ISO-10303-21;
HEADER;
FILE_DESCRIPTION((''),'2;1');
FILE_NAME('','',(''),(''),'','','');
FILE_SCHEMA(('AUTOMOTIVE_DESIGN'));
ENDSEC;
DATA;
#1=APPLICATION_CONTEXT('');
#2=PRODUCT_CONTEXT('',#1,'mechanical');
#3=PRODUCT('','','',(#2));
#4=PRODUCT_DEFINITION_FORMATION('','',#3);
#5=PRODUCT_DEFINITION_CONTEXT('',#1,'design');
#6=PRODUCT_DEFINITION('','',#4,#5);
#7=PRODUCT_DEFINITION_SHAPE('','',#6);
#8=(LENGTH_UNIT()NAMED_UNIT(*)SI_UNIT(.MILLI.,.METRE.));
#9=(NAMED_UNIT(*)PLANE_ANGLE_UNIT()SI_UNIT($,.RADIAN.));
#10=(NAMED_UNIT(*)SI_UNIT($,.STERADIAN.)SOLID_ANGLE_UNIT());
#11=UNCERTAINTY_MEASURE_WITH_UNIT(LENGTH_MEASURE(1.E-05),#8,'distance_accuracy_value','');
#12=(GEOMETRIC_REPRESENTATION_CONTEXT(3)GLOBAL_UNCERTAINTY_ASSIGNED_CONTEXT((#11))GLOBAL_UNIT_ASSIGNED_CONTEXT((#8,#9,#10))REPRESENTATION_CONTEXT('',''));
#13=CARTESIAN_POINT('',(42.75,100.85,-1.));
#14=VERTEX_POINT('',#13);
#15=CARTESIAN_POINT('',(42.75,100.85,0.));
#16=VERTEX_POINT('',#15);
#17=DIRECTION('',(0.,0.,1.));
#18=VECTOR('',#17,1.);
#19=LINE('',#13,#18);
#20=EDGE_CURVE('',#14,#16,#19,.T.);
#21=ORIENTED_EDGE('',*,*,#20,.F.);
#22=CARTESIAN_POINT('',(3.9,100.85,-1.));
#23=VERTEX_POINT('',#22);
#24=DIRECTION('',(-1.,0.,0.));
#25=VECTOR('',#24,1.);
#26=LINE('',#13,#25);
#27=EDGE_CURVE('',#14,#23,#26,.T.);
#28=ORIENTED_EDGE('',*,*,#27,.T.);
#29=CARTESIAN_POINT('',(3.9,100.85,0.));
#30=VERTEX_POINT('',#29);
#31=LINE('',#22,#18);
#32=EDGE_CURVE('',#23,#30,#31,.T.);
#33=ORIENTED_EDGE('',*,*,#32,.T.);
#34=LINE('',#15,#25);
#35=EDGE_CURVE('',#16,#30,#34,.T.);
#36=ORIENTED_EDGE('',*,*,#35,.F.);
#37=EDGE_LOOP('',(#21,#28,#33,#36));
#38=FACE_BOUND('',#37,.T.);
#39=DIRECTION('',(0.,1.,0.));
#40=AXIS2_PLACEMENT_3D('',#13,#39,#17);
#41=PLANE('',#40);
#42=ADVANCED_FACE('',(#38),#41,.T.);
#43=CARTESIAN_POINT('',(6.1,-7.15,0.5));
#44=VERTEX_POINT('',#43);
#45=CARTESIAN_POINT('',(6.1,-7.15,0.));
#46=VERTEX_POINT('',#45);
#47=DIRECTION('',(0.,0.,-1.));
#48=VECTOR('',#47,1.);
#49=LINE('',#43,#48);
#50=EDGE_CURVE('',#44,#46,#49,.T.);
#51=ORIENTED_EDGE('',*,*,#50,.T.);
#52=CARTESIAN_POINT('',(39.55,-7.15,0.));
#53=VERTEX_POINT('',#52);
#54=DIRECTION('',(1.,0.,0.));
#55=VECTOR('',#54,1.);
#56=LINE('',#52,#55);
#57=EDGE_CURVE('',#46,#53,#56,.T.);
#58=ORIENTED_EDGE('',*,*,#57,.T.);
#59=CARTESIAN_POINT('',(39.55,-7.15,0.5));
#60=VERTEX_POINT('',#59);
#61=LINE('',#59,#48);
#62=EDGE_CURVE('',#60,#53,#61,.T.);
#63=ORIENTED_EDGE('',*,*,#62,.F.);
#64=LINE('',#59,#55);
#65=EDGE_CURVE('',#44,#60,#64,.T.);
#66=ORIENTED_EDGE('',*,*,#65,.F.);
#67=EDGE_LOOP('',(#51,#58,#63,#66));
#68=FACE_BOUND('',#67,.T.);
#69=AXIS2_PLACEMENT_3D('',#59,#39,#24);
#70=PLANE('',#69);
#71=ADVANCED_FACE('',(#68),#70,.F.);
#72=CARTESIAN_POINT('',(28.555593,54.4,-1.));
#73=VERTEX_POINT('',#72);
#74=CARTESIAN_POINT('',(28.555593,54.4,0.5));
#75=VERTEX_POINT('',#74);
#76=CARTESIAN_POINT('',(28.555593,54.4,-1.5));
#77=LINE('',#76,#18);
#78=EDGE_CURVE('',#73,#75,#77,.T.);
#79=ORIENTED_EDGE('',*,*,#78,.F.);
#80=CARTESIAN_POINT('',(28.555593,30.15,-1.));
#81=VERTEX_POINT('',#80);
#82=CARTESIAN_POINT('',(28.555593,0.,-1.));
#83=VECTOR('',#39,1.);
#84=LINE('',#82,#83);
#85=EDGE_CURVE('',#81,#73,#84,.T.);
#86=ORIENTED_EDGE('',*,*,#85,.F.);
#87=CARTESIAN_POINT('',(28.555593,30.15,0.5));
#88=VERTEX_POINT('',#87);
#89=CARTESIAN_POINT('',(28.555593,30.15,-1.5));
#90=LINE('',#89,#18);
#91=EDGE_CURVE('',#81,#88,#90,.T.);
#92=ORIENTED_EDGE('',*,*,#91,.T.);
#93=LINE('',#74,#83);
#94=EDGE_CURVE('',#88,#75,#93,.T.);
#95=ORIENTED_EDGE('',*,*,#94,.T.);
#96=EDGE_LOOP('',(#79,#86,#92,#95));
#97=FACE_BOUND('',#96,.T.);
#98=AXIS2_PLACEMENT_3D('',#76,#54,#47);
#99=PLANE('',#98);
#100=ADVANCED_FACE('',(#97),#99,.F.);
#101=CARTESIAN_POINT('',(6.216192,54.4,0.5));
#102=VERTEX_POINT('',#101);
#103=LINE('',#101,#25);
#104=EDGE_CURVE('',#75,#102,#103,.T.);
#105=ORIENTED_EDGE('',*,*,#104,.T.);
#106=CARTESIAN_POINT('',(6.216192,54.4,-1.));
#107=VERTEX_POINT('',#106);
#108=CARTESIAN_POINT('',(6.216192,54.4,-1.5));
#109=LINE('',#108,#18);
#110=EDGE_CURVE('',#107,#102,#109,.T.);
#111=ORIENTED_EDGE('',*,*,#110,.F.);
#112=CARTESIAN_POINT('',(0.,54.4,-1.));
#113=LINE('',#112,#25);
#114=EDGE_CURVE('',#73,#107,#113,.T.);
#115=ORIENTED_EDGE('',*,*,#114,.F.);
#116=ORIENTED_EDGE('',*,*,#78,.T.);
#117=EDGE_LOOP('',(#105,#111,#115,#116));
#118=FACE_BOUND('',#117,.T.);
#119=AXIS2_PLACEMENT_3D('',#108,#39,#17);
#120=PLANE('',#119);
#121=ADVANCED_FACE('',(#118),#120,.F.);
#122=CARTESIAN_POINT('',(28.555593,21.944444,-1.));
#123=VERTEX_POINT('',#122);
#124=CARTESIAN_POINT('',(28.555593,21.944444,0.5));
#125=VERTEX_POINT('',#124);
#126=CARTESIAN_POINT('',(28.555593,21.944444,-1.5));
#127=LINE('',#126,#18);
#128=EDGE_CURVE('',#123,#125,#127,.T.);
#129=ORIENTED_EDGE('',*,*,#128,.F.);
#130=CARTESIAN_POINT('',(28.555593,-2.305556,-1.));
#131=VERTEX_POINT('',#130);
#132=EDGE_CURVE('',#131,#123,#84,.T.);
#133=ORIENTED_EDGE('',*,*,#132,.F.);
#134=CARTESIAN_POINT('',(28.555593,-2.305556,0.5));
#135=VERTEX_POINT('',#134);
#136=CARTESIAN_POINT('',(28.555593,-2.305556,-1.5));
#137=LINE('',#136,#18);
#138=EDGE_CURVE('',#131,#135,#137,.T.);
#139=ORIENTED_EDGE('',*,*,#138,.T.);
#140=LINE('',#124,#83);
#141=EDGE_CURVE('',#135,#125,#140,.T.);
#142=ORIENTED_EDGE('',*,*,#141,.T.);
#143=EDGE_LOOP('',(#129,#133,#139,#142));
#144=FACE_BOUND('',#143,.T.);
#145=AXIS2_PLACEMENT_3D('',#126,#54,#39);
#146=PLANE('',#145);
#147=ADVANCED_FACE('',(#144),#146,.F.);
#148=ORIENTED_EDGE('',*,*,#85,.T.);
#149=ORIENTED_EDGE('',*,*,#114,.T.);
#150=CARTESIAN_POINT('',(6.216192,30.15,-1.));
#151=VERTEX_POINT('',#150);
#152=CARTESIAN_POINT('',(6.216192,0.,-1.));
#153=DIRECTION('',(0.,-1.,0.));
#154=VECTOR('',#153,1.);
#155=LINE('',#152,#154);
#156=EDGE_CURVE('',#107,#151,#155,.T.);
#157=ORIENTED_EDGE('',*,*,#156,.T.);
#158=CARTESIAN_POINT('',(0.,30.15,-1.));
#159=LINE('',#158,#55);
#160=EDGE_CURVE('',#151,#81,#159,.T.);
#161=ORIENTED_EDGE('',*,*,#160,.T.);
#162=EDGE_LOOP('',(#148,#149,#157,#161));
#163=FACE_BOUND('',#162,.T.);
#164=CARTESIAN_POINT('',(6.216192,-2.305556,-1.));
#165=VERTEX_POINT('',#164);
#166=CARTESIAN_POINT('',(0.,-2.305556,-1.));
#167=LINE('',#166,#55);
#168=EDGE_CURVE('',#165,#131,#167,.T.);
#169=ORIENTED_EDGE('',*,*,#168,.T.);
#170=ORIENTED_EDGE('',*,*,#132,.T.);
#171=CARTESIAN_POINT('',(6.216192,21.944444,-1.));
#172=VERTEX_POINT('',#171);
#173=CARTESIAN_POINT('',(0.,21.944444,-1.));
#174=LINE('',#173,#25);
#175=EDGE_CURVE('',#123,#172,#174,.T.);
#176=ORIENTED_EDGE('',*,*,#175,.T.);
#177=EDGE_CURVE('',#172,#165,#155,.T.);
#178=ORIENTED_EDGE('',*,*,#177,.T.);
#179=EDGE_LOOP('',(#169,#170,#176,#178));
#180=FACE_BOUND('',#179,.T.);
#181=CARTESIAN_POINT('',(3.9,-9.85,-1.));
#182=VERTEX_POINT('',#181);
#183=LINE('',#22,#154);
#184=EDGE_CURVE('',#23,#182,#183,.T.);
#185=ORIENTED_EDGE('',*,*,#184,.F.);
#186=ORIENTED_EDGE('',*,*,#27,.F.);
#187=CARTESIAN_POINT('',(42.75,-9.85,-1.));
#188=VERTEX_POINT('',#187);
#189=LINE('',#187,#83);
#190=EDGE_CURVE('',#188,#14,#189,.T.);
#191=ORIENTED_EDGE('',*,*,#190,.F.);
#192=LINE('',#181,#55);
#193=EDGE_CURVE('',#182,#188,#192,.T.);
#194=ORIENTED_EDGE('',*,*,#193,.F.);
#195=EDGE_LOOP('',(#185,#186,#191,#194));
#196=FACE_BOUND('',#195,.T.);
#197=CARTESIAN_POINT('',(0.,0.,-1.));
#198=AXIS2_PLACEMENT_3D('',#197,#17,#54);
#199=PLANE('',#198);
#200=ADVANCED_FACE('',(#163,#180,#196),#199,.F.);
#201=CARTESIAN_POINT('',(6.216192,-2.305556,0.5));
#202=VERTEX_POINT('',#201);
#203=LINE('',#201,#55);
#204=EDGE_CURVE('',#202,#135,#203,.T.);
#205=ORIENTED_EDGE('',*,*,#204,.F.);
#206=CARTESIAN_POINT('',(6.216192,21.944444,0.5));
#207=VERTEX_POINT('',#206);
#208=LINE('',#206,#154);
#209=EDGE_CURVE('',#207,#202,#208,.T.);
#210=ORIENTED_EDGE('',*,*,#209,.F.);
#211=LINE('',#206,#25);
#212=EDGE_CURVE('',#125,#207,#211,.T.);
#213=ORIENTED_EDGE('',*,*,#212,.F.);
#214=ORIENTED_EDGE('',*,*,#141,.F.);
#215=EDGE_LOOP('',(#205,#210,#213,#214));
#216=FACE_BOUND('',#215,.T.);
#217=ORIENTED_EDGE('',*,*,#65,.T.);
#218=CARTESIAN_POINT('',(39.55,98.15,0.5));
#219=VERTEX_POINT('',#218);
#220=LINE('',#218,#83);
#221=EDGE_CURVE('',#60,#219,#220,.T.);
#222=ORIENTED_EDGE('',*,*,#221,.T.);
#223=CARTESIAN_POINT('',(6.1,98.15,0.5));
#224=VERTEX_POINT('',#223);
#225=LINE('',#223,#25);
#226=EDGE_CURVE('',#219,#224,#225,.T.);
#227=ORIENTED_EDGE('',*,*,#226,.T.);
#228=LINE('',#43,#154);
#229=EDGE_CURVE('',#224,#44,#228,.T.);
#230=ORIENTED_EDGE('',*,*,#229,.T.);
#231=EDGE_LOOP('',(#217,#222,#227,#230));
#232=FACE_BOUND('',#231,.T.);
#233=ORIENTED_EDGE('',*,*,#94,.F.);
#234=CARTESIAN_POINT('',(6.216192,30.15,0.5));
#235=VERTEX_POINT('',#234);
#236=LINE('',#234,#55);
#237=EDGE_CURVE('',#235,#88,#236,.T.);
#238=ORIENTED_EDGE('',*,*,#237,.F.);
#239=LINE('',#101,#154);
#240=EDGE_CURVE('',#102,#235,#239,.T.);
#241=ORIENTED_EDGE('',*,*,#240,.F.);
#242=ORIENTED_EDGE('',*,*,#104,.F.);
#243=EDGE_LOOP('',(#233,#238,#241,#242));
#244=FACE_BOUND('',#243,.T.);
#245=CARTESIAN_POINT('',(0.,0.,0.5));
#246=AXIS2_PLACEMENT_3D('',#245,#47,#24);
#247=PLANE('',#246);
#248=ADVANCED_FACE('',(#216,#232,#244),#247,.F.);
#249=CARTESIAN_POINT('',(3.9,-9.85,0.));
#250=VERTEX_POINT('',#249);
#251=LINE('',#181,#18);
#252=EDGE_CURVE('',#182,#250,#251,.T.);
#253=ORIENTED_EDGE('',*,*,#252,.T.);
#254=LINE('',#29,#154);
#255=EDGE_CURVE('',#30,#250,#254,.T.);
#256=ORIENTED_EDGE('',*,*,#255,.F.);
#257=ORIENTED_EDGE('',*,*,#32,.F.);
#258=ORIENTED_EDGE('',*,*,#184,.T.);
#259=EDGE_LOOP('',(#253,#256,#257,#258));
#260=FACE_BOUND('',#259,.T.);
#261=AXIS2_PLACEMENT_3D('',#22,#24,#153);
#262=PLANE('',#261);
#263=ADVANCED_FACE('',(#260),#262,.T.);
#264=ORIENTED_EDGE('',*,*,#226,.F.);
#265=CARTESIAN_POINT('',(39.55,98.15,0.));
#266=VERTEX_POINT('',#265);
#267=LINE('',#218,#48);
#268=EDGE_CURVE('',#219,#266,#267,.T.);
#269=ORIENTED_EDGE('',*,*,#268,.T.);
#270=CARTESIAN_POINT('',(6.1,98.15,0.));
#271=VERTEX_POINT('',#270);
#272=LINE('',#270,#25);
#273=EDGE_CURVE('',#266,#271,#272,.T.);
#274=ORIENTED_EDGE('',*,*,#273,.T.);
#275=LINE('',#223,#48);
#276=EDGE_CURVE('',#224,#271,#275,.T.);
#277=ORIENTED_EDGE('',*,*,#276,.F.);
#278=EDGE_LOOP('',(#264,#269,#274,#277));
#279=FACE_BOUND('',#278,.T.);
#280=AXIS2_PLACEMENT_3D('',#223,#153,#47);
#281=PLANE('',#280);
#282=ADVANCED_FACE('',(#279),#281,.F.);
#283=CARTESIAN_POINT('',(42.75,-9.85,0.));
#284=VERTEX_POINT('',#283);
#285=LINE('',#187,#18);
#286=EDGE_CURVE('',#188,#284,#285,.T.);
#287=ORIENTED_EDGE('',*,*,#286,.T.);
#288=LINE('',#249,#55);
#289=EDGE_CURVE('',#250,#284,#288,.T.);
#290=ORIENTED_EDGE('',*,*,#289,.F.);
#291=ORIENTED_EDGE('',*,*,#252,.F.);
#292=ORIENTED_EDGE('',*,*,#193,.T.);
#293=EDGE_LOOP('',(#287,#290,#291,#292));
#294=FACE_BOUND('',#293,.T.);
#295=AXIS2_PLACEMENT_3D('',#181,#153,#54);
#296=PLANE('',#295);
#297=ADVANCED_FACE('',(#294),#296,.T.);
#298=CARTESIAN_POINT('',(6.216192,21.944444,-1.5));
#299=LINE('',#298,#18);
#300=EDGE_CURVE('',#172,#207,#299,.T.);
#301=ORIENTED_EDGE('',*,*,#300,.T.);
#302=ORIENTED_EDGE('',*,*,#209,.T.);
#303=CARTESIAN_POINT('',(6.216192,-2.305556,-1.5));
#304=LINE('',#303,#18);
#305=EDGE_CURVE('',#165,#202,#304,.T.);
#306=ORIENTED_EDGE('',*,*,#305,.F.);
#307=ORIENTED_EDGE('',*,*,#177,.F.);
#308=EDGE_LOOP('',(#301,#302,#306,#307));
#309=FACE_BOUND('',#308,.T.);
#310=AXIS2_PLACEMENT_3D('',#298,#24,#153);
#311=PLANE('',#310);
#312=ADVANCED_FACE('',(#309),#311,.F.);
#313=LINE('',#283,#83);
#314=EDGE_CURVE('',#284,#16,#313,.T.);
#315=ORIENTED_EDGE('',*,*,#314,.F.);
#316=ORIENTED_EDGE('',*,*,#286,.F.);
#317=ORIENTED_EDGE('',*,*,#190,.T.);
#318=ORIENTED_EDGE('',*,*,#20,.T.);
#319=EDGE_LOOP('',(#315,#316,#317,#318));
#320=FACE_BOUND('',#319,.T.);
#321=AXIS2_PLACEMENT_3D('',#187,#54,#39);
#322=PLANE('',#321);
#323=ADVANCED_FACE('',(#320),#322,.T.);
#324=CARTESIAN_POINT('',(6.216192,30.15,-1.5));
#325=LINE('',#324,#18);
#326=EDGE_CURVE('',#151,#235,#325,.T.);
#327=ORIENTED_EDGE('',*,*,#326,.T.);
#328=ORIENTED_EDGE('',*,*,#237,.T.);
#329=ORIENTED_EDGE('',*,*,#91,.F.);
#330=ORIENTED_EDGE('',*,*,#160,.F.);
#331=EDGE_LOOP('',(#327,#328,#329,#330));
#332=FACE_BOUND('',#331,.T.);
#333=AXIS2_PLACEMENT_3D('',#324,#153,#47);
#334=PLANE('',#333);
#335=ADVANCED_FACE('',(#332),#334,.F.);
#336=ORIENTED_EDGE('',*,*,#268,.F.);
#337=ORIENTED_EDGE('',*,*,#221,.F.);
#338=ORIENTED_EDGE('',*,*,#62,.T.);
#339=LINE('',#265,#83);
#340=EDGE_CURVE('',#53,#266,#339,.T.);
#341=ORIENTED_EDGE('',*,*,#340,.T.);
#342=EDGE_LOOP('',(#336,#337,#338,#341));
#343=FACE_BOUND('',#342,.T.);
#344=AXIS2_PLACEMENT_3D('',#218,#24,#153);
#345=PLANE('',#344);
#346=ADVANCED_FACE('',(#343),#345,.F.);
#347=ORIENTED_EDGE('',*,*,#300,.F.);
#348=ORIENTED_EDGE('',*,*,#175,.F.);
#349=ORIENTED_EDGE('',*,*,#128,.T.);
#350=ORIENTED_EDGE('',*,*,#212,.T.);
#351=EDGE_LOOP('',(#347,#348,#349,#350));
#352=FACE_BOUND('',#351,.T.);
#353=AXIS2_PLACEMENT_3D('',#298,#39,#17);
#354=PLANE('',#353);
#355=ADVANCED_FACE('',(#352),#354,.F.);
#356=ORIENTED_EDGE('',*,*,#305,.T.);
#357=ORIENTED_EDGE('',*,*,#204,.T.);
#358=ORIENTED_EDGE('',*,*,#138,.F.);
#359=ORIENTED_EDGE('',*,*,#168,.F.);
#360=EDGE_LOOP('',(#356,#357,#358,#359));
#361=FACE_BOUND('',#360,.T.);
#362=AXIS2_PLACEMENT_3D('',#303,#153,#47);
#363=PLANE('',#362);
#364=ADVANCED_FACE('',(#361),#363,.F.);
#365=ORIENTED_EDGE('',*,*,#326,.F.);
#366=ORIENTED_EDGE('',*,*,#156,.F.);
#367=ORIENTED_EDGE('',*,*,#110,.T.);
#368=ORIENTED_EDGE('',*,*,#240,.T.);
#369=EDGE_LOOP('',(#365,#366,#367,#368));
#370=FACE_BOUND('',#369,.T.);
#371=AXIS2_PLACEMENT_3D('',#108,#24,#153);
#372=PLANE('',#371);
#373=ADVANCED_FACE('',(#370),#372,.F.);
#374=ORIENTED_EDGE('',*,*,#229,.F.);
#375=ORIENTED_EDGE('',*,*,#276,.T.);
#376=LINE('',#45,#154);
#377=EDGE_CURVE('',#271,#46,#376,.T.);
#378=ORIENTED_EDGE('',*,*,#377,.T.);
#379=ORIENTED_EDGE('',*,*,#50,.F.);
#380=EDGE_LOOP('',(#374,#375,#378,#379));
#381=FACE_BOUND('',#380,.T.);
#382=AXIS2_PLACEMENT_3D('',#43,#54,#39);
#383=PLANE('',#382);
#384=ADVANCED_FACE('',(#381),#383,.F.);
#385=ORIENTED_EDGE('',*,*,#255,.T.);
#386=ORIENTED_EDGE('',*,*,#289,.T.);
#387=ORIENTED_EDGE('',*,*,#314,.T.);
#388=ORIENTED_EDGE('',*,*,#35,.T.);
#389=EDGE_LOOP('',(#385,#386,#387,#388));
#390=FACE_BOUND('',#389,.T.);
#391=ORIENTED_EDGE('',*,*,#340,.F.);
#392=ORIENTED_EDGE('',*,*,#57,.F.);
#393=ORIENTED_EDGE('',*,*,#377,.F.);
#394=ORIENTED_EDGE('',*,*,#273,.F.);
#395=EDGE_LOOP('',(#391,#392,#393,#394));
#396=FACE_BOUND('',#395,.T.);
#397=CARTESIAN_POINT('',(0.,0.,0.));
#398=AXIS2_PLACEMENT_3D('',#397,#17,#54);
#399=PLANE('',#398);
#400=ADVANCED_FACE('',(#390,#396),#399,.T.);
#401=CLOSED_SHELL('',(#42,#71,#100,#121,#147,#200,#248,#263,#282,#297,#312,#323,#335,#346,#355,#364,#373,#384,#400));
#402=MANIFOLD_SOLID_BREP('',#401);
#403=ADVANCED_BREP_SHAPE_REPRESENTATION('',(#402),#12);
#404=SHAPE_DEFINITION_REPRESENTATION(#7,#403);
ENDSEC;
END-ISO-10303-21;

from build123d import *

# Parameters (mm, degrees)
SKETCH_1_W          = 110.7
SKETCH_1_H          = 38.85
EXTRUDE_1_DEPTH     = 1
SKETCH_2_W          = 33.45
SKETCH_2_H          = 105.3
EXTRUDE_2_DEPTH     = 0.5
SKETCH_3_W          = 22.339400882
SKETCH_3_H          = 24.25
CUT_EXTRUDE_1_DEPTH = 2


with BuildPart() as part:
    # Эскиз1 → Бобышка-Вытянуть1 (new body)
    with BuildSketch(Plane(origin=(0.5, 0, 0), x_dir=(0, -1, 0), z_dir=(0, 0, 1))):
        with Locations((-45.5, 22.825)):
            Rectangle(SKETCH_1_W, SKETCH_1_H)
    extrude(amount=-EXTRUDE_1_DEPTH)

    # Эскиз2 → Бобышка-Вытянуть2 (add)
    with BuildSketch(Plane.XY):
        with Locations((22.825, 45.5)):
            Rectangle(SKETCH_2_W, SKETCH_2_H)
    extrude(amount=EXTRUDE_2_DEPTH)

    # Эскиз3 → Вырез-Вытянуть1 (cut)
    with BuildSketch(Plane.XY.offset(0.5)):
        with Locations((17.385892666, 42.275)):
            Rectangle(SKETCH_3_W, SKETCH_3_H)
        with Locations((17.385892666, 9.819443695)):
            Rectangle(SKETCH_3_W, SKETCH_3_H)
    extrude(amount=-CUT_EXTRUDE_1_DEPTH, mode=Mode.SUBTRACT)


solid = part.part
